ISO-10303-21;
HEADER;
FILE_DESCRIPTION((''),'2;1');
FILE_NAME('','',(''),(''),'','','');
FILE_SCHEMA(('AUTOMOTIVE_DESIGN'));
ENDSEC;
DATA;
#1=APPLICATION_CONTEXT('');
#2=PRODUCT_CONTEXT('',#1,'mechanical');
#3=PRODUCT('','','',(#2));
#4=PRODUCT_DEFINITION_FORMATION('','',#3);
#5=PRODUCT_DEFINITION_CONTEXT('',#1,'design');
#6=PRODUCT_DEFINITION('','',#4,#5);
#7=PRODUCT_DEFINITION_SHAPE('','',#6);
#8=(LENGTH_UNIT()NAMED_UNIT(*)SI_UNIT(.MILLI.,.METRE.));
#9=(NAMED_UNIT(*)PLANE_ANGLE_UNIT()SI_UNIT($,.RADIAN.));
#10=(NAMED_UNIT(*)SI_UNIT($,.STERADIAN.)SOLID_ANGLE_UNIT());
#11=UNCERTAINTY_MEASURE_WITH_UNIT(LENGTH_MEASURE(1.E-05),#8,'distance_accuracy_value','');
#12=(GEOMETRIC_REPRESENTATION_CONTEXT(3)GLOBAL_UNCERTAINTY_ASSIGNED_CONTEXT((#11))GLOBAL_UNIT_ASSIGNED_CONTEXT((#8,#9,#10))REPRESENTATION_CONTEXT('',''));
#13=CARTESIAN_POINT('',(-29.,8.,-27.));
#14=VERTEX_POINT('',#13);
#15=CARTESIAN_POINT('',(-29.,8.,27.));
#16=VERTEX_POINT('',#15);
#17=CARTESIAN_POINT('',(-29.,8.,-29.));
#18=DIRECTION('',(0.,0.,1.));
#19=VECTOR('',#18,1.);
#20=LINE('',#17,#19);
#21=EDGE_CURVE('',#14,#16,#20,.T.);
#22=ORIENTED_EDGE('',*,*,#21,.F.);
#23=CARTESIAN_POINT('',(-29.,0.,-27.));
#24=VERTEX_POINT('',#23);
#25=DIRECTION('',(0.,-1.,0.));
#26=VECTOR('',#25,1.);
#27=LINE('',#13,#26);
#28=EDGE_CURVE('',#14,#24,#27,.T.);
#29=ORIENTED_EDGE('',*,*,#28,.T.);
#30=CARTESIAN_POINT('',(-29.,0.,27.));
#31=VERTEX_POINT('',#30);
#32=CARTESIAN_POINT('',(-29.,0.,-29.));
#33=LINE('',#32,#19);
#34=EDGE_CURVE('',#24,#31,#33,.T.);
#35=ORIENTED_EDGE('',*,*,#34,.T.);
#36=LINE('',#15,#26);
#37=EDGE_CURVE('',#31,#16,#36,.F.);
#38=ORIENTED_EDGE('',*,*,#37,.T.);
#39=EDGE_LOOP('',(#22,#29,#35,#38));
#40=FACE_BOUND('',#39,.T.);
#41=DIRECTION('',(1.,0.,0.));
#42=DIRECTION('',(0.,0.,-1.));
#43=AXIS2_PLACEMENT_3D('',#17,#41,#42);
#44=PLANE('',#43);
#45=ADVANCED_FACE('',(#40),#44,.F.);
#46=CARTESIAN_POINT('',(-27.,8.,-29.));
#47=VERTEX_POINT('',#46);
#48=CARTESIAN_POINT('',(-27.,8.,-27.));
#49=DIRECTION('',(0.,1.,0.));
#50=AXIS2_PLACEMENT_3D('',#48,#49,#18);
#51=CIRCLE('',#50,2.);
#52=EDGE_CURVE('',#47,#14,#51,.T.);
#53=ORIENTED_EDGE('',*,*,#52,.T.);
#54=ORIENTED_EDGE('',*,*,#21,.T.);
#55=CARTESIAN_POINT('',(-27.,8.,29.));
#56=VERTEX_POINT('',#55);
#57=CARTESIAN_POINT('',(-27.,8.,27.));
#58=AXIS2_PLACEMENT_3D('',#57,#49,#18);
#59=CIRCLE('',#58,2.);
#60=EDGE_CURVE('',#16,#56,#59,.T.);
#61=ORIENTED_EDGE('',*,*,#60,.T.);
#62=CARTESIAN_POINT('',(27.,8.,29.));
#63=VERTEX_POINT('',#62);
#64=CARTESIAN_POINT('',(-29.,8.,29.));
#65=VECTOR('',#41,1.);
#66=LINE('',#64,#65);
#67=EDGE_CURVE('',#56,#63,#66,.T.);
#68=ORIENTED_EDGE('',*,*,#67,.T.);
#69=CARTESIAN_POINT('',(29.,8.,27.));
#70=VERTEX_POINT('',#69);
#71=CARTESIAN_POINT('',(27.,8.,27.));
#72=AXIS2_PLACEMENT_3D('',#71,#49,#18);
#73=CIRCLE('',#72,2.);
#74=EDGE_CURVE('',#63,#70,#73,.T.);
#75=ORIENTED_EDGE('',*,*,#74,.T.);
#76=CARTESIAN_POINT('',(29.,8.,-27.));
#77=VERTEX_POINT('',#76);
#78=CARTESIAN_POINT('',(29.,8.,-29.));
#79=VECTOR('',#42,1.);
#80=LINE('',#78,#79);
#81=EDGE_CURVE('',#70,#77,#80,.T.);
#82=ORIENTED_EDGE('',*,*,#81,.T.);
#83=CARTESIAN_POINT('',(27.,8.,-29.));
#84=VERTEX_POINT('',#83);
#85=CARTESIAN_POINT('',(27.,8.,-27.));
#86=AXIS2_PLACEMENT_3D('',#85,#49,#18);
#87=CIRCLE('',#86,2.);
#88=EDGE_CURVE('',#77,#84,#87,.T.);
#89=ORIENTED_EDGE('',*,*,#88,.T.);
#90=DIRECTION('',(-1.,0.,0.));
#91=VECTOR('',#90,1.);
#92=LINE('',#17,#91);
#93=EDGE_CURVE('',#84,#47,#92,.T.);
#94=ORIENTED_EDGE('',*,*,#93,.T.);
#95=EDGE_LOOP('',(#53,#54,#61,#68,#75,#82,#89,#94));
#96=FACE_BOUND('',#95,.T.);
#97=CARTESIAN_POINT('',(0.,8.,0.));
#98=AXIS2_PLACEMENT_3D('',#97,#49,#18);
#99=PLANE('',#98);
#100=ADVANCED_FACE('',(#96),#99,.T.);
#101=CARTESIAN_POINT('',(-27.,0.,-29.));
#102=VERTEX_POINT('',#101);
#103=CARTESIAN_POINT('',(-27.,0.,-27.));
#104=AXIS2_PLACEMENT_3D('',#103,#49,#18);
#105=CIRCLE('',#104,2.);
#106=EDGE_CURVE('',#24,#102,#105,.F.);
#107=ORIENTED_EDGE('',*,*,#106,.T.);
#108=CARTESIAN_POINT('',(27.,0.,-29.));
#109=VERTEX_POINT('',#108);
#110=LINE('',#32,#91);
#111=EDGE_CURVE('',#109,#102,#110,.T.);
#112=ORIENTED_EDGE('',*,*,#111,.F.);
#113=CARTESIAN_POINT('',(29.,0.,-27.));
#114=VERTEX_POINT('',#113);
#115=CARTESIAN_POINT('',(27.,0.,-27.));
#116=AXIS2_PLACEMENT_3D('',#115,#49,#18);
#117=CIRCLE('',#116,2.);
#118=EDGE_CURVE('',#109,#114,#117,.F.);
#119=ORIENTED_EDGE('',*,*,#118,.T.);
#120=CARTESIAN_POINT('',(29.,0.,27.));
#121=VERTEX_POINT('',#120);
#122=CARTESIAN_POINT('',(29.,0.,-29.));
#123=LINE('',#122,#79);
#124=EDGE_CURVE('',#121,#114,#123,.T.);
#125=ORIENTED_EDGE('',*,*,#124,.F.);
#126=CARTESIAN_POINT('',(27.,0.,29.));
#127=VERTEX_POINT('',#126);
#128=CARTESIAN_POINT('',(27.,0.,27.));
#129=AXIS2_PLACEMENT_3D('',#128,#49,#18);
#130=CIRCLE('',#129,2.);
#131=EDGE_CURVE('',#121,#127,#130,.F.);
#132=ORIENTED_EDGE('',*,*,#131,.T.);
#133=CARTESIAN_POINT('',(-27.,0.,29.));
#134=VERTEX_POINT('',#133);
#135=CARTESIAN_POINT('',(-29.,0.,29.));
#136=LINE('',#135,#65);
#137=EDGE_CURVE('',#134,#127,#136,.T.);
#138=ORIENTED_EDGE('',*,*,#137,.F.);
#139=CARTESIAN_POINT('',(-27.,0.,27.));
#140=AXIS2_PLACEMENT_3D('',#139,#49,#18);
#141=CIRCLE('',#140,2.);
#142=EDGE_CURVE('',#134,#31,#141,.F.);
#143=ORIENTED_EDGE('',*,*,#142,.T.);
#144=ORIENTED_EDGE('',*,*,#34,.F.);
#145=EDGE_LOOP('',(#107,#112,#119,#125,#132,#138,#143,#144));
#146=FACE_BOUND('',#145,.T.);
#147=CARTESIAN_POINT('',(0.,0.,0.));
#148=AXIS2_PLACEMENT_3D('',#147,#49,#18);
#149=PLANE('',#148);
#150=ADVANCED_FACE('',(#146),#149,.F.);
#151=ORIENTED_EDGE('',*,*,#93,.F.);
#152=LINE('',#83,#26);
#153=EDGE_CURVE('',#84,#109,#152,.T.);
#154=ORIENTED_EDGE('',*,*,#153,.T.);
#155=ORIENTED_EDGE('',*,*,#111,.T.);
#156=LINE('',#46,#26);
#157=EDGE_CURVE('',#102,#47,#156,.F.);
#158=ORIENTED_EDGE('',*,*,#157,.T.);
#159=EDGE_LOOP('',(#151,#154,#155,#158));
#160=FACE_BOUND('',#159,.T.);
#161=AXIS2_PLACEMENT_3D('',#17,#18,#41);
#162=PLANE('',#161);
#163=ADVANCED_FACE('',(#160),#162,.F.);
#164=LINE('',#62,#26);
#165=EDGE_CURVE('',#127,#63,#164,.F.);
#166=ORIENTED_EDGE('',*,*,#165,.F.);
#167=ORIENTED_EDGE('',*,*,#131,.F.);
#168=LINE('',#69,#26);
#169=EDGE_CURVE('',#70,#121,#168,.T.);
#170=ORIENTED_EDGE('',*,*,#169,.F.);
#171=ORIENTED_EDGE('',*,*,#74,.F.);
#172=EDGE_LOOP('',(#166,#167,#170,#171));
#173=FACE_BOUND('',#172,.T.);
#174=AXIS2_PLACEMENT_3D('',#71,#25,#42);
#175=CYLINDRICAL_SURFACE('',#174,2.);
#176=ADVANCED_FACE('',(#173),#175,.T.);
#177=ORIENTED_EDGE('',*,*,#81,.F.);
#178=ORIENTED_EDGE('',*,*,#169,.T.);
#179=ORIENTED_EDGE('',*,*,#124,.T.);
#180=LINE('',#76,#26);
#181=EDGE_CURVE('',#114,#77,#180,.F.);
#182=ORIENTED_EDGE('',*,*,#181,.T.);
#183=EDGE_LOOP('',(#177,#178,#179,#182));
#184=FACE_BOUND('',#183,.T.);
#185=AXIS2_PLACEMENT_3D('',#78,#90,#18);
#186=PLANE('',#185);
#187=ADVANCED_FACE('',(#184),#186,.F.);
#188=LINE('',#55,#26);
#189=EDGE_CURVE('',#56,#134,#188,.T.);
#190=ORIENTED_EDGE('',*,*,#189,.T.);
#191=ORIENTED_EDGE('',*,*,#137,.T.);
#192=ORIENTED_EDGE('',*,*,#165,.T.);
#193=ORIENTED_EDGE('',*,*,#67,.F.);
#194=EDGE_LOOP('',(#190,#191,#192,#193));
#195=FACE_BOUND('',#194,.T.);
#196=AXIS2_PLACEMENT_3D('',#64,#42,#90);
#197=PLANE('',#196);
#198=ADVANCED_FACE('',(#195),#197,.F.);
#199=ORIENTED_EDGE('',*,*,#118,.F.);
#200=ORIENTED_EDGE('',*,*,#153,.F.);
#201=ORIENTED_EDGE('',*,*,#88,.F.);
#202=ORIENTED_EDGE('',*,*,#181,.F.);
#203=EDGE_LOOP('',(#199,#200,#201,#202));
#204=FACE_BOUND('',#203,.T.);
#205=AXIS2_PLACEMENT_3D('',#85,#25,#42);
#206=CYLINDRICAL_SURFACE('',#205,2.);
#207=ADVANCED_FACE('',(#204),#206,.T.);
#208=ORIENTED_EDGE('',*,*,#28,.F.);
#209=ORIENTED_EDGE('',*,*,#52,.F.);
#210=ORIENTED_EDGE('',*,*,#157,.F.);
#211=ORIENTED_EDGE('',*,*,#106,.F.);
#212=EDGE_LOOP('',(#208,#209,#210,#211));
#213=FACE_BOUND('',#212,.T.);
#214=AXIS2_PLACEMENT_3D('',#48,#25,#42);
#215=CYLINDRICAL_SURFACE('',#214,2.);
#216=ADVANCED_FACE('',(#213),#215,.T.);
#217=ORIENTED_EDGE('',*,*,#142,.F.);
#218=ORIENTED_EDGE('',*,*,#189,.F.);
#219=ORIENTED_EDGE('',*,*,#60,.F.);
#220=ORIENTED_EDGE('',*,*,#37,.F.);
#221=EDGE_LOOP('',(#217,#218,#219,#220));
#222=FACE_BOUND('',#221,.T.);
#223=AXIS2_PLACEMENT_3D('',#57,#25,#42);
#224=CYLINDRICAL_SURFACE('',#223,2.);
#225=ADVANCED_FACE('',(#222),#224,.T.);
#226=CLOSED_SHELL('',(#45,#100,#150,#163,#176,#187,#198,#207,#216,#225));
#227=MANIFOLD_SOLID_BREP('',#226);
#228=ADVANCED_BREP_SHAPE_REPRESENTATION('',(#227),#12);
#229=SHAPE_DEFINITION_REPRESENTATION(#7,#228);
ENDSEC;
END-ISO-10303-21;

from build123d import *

# Parameters (mm, degrees)
SKETCH1_W           = 58
SKETCH1_H           = 58
BOSS_EXTRUDE1_DEPTH = 8
FILLET1_R           = 2


with BuildPart() as part:
    # Sketch1 → Boss-Extrude1 (new body)
    with BuildSketch(Plane(origin=(0, 0, 0), x_dir=(1, 0, 0), z_dir=(0, 1, 0))):
        Rectangle(SKETCH1_W, SKETCH1_H)
    extrude(amount=BOSS_EXTRUDE1_DEPTH)

    # Fillet1
    fillet1_edges = [part.edges().sort_by_distance(p)[0] for p in [
        (-29, 4, -29),
        (29, 4, -29),
        (29, 4, 29),
        (-29, 4, 29),
    ]]
    fillet(fillet1_edges, radius=FILLET1_R)


solid = part.part
